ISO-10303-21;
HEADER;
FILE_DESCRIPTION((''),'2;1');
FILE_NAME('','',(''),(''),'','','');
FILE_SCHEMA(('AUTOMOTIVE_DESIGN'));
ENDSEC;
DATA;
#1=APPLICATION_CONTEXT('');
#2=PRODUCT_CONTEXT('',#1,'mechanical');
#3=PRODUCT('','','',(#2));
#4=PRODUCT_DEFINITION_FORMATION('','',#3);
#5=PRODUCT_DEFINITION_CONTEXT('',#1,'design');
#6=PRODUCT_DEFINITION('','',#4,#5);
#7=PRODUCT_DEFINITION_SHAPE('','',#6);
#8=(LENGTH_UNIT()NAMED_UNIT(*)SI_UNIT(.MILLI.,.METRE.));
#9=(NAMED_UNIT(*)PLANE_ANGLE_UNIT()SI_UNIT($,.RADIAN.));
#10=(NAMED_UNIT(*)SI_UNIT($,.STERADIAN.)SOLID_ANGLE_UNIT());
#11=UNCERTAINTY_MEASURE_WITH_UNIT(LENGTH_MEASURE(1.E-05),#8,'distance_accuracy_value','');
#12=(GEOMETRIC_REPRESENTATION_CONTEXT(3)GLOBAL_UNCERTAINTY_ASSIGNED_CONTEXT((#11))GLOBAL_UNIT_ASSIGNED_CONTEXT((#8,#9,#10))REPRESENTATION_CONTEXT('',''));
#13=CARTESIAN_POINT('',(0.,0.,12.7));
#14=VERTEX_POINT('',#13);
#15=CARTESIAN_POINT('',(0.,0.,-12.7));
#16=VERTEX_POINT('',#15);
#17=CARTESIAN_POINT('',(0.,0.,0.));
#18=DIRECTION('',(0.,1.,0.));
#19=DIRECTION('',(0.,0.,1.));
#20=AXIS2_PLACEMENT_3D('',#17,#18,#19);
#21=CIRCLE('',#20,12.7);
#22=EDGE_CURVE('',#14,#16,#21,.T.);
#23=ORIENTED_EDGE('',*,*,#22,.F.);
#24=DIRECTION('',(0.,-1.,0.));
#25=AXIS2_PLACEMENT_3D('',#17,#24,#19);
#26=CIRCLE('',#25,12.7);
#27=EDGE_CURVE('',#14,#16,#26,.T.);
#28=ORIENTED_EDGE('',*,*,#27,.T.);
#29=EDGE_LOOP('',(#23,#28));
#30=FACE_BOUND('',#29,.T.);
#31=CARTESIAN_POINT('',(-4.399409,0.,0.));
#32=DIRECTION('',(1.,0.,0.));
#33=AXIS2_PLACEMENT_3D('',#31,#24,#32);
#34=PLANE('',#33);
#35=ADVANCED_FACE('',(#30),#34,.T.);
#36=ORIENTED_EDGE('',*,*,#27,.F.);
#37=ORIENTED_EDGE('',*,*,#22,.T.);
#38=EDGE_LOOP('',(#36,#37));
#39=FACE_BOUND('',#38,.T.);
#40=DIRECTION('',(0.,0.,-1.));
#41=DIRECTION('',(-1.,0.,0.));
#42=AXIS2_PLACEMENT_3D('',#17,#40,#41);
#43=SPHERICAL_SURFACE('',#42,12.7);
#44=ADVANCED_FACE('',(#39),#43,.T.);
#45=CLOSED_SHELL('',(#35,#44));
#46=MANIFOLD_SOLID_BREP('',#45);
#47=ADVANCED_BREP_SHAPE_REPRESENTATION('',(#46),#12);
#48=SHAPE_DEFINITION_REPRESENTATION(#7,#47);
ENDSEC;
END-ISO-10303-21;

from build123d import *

# Parameters (mm, degrees)
F1_ANGLE = 180


with BuildPart() as f1:
    # F0 (on Front) → F1 (revolve)
    with BuildSketch(Plane.XZ):
        with BuildLine():
            Line((0, 0), (0, 12.7))
            ThreePointArc((0, 12.7), (-12.7, 0), (0, -12.7))
            Line((0, -12.7), (0, 0))
        make_face()
    revolve(axis=Axis((0, 0, 6.35), (0, 0, -1)), revolution_arc=F1_ANGLE)


solid = f1.part
